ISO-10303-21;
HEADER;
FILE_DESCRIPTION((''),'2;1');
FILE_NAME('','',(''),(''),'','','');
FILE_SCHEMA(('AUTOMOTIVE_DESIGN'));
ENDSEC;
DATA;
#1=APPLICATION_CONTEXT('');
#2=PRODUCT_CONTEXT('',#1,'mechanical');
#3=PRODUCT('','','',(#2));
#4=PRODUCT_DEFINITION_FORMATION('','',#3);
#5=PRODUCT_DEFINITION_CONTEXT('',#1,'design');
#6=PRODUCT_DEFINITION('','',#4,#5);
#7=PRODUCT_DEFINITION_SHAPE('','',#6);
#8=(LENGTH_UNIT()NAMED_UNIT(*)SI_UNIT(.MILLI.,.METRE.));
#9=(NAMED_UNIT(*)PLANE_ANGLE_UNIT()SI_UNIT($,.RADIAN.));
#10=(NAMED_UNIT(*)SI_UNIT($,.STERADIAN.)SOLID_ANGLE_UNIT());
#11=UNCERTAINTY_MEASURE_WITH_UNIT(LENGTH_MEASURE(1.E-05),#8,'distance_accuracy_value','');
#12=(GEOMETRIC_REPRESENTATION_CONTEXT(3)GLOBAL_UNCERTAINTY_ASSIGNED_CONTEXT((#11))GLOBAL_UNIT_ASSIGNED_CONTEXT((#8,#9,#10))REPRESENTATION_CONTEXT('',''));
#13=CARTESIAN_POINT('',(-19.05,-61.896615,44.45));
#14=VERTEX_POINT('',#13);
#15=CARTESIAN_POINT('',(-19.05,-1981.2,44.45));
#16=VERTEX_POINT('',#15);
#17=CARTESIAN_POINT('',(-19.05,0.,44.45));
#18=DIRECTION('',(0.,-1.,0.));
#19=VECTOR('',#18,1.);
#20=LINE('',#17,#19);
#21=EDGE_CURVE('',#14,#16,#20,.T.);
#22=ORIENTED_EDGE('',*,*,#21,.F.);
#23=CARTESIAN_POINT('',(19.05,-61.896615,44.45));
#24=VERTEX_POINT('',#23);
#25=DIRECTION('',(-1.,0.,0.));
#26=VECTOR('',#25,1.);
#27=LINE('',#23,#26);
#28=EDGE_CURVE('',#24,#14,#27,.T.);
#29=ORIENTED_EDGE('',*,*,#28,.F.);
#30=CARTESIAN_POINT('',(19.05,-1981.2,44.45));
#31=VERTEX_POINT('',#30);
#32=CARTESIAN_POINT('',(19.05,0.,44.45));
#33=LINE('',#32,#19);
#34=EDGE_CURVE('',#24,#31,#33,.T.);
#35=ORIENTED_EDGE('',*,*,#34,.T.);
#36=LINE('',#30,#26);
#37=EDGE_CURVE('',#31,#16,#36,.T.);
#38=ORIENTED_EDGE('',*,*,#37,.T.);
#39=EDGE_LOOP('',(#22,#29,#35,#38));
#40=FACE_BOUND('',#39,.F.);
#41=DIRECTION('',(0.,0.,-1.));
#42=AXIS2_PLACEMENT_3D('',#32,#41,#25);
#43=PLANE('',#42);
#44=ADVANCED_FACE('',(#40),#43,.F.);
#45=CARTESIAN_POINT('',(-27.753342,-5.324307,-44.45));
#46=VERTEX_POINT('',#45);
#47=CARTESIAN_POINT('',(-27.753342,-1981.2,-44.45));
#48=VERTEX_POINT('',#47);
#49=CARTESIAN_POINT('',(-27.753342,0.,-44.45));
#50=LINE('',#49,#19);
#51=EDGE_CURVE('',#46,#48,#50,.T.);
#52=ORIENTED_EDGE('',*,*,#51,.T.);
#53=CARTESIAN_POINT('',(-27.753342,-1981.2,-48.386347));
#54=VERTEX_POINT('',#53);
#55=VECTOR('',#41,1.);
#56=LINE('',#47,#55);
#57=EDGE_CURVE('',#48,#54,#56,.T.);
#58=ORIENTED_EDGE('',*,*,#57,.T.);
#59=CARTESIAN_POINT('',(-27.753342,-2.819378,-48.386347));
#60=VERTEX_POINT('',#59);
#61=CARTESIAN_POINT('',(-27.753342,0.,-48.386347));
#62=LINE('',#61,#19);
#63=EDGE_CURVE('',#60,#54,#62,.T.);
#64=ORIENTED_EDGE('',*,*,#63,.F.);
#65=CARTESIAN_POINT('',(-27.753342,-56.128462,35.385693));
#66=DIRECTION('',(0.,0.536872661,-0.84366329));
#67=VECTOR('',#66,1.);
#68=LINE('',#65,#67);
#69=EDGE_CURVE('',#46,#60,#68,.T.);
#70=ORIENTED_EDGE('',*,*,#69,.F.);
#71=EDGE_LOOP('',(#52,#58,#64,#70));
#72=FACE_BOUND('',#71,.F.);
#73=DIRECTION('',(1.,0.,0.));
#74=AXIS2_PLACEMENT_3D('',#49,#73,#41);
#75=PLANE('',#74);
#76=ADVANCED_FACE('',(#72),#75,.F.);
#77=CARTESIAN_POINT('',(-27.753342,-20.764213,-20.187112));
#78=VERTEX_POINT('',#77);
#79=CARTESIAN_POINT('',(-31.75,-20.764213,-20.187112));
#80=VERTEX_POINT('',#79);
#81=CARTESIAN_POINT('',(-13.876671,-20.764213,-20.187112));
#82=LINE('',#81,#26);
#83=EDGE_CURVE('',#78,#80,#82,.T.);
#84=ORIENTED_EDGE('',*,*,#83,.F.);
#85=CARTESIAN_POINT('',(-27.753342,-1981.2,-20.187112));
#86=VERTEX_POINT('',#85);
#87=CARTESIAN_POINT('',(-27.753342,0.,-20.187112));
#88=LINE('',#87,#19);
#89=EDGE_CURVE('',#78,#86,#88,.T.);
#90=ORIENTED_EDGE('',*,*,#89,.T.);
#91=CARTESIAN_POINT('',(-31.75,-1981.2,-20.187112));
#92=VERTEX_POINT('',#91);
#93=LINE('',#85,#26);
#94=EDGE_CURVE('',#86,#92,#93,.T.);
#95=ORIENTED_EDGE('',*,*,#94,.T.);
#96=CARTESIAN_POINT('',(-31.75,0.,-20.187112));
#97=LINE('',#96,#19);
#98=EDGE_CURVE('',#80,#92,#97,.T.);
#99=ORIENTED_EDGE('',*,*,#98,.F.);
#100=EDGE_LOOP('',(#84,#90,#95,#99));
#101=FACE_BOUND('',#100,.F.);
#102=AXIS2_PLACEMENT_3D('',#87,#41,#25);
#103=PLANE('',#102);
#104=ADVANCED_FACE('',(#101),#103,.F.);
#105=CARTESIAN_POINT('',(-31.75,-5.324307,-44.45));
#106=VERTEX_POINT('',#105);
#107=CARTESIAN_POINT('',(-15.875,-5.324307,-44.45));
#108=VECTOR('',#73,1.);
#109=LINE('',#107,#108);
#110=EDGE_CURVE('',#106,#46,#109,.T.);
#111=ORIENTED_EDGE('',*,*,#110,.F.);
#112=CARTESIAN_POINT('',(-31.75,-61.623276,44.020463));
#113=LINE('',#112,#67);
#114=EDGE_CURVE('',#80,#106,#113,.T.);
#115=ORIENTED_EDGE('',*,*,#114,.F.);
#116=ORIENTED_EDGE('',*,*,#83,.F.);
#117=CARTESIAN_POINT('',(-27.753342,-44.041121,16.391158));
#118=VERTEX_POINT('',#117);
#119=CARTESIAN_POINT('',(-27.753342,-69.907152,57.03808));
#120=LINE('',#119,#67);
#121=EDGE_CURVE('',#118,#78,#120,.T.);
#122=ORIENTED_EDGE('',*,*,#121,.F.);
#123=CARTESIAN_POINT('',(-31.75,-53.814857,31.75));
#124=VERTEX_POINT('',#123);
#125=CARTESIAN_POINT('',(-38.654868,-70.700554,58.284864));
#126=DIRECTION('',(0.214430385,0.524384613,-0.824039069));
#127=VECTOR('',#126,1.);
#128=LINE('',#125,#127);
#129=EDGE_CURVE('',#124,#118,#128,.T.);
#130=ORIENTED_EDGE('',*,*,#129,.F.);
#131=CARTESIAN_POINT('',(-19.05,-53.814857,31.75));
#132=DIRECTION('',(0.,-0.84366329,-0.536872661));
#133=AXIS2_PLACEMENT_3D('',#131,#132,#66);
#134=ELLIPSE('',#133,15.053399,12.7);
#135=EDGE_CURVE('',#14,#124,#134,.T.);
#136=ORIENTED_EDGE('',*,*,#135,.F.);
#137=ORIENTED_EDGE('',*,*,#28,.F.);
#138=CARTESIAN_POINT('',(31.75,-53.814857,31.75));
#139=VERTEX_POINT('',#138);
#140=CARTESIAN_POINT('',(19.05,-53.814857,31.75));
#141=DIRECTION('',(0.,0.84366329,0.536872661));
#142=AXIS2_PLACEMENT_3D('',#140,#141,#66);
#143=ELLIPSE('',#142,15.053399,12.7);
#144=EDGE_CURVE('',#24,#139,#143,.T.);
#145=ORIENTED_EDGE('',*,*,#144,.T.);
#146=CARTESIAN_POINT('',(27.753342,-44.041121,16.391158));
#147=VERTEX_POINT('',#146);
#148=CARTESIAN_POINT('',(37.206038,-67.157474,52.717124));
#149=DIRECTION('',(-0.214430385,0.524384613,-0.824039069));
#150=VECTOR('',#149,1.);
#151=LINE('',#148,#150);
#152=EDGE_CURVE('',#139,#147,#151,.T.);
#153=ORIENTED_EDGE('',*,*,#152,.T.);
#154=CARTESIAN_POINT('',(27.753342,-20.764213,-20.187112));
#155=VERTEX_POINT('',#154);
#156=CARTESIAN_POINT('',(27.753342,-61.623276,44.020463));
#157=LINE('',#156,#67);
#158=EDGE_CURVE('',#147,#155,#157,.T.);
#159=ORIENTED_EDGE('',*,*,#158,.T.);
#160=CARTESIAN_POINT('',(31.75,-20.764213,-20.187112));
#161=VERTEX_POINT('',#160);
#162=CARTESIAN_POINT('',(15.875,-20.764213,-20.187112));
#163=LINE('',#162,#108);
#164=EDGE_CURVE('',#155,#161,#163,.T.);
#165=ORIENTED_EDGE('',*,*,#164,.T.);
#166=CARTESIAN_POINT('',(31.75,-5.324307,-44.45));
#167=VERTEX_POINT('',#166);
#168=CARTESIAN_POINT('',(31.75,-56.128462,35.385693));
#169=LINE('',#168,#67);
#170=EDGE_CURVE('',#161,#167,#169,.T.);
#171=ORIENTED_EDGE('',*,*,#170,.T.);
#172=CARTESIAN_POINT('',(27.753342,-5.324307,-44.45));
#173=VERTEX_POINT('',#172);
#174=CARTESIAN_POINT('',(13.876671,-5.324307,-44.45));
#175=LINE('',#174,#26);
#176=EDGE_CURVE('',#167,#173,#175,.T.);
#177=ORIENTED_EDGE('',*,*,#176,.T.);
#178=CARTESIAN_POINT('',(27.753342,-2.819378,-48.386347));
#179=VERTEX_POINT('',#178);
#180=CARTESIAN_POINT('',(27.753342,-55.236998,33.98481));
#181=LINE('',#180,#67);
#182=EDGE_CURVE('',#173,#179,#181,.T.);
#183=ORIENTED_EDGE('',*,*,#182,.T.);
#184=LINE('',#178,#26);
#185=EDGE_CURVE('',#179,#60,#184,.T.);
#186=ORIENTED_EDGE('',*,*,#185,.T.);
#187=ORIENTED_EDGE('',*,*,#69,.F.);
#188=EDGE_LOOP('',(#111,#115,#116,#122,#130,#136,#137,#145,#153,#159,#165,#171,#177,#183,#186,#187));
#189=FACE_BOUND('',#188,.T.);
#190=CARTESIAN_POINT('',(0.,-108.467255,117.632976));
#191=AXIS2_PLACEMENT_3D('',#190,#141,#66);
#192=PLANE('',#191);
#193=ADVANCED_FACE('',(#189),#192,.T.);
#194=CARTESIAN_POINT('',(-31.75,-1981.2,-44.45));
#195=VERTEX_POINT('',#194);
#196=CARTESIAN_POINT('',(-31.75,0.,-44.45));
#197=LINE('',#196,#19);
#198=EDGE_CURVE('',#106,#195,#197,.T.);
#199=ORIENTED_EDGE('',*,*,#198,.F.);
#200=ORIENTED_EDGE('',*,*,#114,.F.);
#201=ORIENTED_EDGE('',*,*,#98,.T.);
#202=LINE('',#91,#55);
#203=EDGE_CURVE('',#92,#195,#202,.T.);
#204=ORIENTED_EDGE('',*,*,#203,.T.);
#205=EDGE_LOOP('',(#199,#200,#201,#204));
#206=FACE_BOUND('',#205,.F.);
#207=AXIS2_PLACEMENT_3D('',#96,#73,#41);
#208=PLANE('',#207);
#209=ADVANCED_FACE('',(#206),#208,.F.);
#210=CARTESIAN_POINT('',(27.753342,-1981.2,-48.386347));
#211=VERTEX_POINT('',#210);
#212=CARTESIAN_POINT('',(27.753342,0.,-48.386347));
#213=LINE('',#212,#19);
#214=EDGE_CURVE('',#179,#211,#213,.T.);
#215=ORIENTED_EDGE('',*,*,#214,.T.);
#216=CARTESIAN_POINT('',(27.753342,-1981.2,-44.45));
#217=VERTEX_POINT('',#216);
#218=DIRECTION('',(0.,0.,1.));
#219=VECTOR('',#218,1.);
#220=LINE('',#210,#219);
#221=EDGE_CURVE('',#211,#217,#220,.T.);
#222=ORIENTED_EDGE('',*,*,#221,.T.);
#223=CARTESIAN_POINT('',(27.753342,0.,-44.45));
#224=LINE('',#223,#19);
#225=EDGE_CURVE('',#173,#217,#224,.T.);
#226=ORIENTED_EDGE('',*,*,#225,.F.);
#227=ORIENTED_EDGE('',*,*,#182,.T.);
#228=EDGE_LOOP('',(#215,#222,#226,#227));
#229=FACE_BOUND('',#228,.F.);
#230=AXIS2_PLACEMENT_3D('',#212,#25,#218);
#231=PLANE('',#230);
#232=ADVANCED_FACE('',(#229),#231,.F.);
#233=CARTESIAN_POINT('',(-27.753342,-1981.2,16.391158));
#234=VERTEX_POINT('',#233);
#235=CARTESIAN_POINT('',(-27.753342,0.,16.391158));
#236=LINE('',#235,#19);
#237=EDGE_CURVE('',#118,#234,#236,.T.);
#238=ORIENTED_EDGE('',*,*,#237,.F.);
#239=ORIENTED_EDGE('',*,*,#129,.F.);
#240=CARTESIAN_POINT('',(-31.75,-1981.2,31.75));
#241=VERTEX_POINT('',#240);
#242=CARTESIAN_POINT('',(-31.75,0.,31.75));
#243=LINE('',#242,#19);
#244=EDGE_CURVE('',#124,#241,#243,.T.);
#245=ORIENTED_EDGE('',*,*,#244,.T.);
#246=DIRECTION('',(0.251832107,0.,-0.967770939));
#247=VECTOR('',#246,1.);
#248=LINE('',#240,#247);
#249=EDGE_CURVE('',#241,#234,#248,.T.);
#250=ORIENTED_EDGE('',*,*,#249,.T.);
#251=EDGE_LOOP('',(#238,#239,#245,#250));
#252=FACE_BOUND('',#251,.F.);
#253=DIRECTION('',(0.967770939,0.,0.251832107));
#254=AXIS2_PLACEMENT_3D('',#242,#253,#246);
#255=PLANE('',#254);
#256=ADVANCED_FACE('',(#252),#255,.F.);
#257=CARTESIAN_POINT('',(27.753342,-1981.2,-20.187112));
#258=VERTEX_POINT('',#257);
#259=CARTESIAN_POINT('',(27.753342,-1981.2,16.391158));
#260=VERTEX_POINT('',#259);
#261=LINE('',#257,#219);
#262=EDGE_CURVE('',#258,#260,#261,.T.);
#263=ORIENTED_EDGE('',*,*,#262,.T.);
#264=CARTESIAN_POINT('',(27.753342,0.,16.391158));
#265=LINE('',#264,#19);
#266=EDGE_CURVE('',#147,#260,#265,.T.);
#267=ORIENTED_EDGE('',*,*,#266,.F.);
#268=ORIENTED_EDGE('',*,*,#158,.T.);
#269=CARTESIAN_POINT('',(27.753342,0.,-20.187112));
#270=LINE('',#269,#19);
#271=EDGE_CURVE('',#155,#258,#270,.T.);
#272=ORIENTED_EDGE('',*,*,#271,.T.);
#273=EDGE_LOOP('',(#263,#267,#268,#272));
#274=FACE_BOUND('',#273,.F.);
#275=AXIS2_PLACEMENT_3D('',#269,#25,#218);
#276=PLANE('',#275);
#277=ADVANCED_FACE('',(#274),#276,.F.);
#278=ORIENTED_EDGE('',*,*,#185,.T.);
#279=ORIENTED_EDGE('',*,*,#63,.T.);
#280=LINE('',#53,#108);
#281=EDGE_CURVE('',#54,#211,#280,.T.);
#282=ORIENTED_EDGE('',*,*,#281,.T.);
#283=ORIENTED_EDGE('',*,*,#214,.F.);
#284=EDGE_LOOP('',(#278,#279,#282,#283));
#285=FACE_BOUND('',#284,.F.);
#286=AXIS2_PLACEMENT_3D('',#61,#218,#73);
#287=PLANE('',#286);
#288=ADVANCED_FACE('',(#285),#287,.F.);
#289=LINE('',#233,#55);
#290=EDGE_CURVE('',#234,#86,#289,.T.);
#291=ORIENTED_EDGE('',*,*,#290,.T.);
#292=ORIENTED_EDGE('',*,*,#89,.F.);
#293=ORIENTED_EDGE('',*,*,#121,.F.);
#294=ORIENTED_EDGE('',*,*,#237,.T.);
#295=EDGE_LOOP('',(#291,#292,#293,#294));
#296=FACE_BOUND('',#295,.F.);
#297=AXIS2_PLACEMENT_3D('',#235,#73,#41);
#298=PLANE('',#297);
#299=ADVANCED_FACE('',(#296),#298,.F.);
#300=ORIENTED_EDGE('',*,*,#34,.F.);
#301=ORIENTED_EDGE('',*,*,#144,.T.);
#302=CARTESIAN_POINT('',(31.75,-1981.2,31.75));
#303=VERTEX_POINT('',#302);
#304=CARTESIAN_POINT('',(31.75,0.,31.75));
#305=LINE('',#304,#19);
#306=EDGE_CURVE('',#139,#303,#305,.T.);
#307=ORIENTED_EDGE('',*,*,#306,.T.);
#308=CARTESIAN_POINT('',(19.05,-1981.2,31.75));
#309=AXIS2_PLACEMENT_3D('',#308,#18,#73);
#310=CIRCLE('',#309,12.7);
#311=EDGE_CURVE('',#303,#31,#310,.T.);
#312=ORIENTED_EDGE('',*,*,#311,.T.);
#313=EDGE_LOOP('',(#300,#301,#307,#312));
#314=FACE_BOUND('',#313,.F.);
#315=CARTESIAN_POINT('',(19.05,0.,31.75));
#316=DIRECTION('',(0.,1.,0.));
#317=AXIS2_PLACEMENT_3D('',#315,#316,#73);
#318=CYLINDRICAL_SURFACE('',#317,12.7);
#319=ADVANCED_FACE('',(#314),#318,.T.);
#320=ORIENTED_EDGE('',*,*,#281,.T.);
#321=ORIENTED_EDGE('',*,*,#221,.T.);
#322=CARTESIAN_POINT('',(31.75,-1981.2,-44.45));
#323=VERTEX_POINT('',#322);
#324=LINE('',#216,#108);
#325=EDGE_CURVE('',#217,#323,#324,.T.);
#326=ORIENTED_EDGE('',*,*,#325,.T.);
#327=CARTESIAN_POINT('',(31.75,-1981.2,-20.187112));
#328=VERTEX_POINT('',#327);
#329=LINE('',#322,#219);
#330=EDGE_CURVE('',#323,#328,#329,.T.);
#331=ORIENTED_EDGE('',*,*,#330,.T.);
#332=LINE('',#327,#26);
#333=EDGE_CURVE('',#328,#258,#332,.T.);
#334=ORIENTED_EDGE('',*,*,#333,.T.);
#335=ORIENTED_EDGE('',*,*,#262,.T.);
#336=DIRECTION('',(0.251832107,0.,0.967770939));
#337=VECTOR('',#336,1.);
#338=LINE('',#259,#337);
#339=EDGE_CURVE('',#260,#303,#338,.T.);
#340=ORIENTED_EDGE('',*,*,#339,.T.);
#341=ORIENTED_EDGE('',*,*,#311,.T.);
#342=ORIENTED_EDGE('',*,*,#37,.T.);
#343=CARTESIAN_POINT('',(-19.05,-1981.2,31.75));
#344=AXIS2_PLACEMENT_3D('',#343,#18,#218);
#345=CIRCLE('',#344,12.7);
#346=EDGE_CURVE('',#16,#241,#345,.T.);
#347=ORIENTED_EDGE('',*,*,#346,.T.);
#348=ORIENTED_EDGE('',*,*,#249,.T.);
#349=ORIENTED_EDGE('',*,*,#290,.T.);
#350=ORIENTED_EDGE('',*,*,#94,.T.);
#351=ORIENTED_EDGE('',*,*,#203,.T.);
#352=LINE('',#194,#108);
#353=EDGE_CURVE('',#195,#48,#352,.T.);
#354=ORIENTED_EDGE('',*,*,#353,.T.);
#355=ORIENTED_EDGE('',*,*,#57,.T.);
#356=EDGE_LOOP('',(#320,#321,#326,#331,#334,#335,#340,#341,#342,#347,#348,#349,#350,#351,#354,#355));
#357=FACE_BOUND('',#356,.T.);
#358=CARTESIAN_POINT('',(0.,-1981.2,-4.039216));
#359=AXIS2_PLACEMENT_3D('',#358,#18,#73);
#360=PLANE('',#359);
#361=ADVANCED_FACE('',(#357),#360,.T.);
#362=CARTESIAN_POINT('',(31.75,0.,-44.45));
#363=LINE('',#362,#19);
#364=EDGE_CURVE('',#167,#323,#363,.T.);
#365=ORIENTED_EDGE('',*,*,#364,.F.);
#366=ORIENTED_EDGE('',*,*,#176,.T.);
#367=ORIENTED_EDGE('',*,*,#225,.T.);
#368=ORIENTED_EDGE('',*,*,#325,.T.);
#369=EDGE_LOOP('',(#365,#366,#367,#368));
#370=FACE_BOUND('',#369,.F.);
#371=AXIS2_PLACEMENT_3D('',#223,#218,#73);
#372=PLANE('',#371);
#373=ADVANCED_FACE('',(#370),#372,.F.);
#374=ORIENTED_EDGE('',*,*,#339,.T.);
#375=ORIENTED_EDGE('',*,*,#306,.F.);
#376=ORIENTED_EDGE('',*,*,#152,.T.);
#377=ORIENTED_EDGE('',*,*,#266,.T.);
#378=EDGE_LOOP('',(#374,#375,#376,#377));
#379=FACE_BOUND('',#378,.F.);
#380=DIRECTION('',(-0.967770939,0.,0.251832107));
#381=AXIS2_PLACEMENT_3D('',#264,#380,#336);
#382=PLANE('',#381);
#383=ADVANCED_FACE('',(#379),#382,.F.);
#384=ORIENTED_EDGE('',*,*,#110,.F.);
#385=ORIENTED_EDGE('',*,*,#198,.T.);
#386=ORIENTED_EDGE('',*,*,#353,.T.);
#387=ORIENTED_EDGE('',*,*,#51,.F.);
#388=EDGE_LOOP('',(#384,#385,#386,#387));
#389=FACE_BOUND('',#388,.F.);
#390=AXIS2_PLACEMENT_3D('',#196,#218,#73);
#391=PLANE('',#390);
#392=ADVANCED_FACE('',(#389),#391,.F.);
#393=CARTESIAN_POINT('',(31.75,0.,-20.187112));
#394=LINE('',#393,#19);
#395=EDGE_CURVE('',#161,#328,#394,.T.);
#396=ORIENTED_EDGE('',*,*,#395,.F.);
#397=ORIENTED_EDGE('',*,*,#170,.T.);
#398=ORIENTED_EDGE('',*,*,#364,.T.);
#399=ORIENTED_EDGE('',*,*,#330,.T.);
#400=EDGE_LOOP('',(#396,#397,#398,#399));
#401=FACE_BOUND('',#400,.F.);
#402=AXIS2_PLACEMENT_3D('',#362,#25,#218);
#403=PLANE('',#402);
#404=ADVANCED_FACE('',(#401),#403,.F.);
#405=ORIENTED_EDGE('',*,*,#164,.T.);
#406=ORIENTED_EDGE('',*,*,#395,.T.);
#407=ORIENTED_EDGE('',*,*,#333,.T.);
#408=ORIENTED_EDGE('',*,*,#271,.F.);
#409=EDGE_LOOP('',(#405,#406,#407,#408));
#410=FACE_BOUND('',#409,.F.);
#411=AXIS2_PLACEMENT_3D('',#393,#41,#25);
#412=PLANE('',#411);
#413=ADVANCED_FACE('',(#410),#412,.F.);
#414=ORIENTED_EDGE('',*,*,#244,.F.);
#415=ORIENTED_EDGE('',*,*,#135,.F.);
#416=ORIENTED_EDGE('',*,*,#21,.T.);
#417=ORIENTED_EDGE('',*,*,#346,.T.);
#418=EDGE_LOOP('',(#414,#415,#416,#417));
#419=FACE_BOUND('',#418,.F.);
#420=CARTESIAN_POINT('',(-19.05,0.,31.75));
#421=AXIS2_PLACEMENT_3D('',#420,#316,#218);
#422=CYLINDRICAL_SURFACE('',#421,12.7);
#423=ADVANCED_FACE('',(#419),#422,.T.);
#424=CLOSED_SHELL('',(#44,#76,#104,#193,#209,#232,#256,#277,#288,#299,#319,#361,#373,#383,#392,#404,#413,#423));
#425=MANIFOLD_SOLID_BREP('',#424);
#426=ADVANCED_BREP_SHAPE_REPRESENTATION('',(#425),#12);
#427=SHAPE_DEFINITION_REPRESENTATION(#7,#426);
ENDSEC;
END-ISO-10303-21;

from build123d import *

# Parameters (mm, degrees)
F1_DEPTH      = 1981.2
F3_DEPTH      = 50.8
F3_DEPTH_BACK = 50.8


with BuildPart() as f1:
    # F0 (on Front) → F1 (new body)
    with BuildSketch(Plane.XZ):
        with BuildLine():
            Line((19.05, 44.45), (-19.05, 44.45))
            ThreePointArc((-19.05, 44.45), (-28.0302561211, 40.7302561211), (-31.75, 31.75))
            Line((-31.75, 31.75), (-27.753341943, 16.3911581039))
            Line((-27.753341943, 16.3911581039), (-27.753341943, -20.1871115714))
            Line((-27.753341943, -20.1871115714), (-31.75, -20.1871115714))
            Line((-31.75, -20.1871115714), (-31.75, -44.45))
            Line((-31.75, -44.45), (-27.753341943, -44.45))
            Line((-27.753341943, -44.45), (-27.753341943, -48.3863468898))
            Line((-27.753341943, -48.3863468898), (27.753341943, -48.3863468898))
            Line((27.753341943, -48.3863468898), (27.753341943, -44.45))
            Line((27.753341943, -44.45), (31.75, -44.45))
            Line((31.75, -44.45), (31.75, -20.1871115714))
            Line((31.75, -20.1871115714), (27.753341943, -20.1871115714))
            Line((27.753341943, -20.1871115714), (27.753341943, 16.3911581039))
            Line((27.753341943, 16.3911581039), (31.75, 31.75))
            ThreePointArc((31.75, 31.75), (28.0302561211, 40.7302561211), (19.05, 44.45))
        make_face()
    extrude(amount=F1_DEPTH)

    # F2 (on Right) → F3 (cut, two sides)
    with BuildSketch(Plane.YZ) as f3_sk:
        Polygon((-108.4672547877, 117.6329756228), (0, -52.8168305755), (0, 117.6329756228), align=None)
    extrude(amount=-F3_DEPTH, mode=Mode.SUBTRACT)
    extrude(f3_sk.sketch, amount=F3_DEPTH_BACK, mode=Mode.SUBTRACT)


solid = f1.part
